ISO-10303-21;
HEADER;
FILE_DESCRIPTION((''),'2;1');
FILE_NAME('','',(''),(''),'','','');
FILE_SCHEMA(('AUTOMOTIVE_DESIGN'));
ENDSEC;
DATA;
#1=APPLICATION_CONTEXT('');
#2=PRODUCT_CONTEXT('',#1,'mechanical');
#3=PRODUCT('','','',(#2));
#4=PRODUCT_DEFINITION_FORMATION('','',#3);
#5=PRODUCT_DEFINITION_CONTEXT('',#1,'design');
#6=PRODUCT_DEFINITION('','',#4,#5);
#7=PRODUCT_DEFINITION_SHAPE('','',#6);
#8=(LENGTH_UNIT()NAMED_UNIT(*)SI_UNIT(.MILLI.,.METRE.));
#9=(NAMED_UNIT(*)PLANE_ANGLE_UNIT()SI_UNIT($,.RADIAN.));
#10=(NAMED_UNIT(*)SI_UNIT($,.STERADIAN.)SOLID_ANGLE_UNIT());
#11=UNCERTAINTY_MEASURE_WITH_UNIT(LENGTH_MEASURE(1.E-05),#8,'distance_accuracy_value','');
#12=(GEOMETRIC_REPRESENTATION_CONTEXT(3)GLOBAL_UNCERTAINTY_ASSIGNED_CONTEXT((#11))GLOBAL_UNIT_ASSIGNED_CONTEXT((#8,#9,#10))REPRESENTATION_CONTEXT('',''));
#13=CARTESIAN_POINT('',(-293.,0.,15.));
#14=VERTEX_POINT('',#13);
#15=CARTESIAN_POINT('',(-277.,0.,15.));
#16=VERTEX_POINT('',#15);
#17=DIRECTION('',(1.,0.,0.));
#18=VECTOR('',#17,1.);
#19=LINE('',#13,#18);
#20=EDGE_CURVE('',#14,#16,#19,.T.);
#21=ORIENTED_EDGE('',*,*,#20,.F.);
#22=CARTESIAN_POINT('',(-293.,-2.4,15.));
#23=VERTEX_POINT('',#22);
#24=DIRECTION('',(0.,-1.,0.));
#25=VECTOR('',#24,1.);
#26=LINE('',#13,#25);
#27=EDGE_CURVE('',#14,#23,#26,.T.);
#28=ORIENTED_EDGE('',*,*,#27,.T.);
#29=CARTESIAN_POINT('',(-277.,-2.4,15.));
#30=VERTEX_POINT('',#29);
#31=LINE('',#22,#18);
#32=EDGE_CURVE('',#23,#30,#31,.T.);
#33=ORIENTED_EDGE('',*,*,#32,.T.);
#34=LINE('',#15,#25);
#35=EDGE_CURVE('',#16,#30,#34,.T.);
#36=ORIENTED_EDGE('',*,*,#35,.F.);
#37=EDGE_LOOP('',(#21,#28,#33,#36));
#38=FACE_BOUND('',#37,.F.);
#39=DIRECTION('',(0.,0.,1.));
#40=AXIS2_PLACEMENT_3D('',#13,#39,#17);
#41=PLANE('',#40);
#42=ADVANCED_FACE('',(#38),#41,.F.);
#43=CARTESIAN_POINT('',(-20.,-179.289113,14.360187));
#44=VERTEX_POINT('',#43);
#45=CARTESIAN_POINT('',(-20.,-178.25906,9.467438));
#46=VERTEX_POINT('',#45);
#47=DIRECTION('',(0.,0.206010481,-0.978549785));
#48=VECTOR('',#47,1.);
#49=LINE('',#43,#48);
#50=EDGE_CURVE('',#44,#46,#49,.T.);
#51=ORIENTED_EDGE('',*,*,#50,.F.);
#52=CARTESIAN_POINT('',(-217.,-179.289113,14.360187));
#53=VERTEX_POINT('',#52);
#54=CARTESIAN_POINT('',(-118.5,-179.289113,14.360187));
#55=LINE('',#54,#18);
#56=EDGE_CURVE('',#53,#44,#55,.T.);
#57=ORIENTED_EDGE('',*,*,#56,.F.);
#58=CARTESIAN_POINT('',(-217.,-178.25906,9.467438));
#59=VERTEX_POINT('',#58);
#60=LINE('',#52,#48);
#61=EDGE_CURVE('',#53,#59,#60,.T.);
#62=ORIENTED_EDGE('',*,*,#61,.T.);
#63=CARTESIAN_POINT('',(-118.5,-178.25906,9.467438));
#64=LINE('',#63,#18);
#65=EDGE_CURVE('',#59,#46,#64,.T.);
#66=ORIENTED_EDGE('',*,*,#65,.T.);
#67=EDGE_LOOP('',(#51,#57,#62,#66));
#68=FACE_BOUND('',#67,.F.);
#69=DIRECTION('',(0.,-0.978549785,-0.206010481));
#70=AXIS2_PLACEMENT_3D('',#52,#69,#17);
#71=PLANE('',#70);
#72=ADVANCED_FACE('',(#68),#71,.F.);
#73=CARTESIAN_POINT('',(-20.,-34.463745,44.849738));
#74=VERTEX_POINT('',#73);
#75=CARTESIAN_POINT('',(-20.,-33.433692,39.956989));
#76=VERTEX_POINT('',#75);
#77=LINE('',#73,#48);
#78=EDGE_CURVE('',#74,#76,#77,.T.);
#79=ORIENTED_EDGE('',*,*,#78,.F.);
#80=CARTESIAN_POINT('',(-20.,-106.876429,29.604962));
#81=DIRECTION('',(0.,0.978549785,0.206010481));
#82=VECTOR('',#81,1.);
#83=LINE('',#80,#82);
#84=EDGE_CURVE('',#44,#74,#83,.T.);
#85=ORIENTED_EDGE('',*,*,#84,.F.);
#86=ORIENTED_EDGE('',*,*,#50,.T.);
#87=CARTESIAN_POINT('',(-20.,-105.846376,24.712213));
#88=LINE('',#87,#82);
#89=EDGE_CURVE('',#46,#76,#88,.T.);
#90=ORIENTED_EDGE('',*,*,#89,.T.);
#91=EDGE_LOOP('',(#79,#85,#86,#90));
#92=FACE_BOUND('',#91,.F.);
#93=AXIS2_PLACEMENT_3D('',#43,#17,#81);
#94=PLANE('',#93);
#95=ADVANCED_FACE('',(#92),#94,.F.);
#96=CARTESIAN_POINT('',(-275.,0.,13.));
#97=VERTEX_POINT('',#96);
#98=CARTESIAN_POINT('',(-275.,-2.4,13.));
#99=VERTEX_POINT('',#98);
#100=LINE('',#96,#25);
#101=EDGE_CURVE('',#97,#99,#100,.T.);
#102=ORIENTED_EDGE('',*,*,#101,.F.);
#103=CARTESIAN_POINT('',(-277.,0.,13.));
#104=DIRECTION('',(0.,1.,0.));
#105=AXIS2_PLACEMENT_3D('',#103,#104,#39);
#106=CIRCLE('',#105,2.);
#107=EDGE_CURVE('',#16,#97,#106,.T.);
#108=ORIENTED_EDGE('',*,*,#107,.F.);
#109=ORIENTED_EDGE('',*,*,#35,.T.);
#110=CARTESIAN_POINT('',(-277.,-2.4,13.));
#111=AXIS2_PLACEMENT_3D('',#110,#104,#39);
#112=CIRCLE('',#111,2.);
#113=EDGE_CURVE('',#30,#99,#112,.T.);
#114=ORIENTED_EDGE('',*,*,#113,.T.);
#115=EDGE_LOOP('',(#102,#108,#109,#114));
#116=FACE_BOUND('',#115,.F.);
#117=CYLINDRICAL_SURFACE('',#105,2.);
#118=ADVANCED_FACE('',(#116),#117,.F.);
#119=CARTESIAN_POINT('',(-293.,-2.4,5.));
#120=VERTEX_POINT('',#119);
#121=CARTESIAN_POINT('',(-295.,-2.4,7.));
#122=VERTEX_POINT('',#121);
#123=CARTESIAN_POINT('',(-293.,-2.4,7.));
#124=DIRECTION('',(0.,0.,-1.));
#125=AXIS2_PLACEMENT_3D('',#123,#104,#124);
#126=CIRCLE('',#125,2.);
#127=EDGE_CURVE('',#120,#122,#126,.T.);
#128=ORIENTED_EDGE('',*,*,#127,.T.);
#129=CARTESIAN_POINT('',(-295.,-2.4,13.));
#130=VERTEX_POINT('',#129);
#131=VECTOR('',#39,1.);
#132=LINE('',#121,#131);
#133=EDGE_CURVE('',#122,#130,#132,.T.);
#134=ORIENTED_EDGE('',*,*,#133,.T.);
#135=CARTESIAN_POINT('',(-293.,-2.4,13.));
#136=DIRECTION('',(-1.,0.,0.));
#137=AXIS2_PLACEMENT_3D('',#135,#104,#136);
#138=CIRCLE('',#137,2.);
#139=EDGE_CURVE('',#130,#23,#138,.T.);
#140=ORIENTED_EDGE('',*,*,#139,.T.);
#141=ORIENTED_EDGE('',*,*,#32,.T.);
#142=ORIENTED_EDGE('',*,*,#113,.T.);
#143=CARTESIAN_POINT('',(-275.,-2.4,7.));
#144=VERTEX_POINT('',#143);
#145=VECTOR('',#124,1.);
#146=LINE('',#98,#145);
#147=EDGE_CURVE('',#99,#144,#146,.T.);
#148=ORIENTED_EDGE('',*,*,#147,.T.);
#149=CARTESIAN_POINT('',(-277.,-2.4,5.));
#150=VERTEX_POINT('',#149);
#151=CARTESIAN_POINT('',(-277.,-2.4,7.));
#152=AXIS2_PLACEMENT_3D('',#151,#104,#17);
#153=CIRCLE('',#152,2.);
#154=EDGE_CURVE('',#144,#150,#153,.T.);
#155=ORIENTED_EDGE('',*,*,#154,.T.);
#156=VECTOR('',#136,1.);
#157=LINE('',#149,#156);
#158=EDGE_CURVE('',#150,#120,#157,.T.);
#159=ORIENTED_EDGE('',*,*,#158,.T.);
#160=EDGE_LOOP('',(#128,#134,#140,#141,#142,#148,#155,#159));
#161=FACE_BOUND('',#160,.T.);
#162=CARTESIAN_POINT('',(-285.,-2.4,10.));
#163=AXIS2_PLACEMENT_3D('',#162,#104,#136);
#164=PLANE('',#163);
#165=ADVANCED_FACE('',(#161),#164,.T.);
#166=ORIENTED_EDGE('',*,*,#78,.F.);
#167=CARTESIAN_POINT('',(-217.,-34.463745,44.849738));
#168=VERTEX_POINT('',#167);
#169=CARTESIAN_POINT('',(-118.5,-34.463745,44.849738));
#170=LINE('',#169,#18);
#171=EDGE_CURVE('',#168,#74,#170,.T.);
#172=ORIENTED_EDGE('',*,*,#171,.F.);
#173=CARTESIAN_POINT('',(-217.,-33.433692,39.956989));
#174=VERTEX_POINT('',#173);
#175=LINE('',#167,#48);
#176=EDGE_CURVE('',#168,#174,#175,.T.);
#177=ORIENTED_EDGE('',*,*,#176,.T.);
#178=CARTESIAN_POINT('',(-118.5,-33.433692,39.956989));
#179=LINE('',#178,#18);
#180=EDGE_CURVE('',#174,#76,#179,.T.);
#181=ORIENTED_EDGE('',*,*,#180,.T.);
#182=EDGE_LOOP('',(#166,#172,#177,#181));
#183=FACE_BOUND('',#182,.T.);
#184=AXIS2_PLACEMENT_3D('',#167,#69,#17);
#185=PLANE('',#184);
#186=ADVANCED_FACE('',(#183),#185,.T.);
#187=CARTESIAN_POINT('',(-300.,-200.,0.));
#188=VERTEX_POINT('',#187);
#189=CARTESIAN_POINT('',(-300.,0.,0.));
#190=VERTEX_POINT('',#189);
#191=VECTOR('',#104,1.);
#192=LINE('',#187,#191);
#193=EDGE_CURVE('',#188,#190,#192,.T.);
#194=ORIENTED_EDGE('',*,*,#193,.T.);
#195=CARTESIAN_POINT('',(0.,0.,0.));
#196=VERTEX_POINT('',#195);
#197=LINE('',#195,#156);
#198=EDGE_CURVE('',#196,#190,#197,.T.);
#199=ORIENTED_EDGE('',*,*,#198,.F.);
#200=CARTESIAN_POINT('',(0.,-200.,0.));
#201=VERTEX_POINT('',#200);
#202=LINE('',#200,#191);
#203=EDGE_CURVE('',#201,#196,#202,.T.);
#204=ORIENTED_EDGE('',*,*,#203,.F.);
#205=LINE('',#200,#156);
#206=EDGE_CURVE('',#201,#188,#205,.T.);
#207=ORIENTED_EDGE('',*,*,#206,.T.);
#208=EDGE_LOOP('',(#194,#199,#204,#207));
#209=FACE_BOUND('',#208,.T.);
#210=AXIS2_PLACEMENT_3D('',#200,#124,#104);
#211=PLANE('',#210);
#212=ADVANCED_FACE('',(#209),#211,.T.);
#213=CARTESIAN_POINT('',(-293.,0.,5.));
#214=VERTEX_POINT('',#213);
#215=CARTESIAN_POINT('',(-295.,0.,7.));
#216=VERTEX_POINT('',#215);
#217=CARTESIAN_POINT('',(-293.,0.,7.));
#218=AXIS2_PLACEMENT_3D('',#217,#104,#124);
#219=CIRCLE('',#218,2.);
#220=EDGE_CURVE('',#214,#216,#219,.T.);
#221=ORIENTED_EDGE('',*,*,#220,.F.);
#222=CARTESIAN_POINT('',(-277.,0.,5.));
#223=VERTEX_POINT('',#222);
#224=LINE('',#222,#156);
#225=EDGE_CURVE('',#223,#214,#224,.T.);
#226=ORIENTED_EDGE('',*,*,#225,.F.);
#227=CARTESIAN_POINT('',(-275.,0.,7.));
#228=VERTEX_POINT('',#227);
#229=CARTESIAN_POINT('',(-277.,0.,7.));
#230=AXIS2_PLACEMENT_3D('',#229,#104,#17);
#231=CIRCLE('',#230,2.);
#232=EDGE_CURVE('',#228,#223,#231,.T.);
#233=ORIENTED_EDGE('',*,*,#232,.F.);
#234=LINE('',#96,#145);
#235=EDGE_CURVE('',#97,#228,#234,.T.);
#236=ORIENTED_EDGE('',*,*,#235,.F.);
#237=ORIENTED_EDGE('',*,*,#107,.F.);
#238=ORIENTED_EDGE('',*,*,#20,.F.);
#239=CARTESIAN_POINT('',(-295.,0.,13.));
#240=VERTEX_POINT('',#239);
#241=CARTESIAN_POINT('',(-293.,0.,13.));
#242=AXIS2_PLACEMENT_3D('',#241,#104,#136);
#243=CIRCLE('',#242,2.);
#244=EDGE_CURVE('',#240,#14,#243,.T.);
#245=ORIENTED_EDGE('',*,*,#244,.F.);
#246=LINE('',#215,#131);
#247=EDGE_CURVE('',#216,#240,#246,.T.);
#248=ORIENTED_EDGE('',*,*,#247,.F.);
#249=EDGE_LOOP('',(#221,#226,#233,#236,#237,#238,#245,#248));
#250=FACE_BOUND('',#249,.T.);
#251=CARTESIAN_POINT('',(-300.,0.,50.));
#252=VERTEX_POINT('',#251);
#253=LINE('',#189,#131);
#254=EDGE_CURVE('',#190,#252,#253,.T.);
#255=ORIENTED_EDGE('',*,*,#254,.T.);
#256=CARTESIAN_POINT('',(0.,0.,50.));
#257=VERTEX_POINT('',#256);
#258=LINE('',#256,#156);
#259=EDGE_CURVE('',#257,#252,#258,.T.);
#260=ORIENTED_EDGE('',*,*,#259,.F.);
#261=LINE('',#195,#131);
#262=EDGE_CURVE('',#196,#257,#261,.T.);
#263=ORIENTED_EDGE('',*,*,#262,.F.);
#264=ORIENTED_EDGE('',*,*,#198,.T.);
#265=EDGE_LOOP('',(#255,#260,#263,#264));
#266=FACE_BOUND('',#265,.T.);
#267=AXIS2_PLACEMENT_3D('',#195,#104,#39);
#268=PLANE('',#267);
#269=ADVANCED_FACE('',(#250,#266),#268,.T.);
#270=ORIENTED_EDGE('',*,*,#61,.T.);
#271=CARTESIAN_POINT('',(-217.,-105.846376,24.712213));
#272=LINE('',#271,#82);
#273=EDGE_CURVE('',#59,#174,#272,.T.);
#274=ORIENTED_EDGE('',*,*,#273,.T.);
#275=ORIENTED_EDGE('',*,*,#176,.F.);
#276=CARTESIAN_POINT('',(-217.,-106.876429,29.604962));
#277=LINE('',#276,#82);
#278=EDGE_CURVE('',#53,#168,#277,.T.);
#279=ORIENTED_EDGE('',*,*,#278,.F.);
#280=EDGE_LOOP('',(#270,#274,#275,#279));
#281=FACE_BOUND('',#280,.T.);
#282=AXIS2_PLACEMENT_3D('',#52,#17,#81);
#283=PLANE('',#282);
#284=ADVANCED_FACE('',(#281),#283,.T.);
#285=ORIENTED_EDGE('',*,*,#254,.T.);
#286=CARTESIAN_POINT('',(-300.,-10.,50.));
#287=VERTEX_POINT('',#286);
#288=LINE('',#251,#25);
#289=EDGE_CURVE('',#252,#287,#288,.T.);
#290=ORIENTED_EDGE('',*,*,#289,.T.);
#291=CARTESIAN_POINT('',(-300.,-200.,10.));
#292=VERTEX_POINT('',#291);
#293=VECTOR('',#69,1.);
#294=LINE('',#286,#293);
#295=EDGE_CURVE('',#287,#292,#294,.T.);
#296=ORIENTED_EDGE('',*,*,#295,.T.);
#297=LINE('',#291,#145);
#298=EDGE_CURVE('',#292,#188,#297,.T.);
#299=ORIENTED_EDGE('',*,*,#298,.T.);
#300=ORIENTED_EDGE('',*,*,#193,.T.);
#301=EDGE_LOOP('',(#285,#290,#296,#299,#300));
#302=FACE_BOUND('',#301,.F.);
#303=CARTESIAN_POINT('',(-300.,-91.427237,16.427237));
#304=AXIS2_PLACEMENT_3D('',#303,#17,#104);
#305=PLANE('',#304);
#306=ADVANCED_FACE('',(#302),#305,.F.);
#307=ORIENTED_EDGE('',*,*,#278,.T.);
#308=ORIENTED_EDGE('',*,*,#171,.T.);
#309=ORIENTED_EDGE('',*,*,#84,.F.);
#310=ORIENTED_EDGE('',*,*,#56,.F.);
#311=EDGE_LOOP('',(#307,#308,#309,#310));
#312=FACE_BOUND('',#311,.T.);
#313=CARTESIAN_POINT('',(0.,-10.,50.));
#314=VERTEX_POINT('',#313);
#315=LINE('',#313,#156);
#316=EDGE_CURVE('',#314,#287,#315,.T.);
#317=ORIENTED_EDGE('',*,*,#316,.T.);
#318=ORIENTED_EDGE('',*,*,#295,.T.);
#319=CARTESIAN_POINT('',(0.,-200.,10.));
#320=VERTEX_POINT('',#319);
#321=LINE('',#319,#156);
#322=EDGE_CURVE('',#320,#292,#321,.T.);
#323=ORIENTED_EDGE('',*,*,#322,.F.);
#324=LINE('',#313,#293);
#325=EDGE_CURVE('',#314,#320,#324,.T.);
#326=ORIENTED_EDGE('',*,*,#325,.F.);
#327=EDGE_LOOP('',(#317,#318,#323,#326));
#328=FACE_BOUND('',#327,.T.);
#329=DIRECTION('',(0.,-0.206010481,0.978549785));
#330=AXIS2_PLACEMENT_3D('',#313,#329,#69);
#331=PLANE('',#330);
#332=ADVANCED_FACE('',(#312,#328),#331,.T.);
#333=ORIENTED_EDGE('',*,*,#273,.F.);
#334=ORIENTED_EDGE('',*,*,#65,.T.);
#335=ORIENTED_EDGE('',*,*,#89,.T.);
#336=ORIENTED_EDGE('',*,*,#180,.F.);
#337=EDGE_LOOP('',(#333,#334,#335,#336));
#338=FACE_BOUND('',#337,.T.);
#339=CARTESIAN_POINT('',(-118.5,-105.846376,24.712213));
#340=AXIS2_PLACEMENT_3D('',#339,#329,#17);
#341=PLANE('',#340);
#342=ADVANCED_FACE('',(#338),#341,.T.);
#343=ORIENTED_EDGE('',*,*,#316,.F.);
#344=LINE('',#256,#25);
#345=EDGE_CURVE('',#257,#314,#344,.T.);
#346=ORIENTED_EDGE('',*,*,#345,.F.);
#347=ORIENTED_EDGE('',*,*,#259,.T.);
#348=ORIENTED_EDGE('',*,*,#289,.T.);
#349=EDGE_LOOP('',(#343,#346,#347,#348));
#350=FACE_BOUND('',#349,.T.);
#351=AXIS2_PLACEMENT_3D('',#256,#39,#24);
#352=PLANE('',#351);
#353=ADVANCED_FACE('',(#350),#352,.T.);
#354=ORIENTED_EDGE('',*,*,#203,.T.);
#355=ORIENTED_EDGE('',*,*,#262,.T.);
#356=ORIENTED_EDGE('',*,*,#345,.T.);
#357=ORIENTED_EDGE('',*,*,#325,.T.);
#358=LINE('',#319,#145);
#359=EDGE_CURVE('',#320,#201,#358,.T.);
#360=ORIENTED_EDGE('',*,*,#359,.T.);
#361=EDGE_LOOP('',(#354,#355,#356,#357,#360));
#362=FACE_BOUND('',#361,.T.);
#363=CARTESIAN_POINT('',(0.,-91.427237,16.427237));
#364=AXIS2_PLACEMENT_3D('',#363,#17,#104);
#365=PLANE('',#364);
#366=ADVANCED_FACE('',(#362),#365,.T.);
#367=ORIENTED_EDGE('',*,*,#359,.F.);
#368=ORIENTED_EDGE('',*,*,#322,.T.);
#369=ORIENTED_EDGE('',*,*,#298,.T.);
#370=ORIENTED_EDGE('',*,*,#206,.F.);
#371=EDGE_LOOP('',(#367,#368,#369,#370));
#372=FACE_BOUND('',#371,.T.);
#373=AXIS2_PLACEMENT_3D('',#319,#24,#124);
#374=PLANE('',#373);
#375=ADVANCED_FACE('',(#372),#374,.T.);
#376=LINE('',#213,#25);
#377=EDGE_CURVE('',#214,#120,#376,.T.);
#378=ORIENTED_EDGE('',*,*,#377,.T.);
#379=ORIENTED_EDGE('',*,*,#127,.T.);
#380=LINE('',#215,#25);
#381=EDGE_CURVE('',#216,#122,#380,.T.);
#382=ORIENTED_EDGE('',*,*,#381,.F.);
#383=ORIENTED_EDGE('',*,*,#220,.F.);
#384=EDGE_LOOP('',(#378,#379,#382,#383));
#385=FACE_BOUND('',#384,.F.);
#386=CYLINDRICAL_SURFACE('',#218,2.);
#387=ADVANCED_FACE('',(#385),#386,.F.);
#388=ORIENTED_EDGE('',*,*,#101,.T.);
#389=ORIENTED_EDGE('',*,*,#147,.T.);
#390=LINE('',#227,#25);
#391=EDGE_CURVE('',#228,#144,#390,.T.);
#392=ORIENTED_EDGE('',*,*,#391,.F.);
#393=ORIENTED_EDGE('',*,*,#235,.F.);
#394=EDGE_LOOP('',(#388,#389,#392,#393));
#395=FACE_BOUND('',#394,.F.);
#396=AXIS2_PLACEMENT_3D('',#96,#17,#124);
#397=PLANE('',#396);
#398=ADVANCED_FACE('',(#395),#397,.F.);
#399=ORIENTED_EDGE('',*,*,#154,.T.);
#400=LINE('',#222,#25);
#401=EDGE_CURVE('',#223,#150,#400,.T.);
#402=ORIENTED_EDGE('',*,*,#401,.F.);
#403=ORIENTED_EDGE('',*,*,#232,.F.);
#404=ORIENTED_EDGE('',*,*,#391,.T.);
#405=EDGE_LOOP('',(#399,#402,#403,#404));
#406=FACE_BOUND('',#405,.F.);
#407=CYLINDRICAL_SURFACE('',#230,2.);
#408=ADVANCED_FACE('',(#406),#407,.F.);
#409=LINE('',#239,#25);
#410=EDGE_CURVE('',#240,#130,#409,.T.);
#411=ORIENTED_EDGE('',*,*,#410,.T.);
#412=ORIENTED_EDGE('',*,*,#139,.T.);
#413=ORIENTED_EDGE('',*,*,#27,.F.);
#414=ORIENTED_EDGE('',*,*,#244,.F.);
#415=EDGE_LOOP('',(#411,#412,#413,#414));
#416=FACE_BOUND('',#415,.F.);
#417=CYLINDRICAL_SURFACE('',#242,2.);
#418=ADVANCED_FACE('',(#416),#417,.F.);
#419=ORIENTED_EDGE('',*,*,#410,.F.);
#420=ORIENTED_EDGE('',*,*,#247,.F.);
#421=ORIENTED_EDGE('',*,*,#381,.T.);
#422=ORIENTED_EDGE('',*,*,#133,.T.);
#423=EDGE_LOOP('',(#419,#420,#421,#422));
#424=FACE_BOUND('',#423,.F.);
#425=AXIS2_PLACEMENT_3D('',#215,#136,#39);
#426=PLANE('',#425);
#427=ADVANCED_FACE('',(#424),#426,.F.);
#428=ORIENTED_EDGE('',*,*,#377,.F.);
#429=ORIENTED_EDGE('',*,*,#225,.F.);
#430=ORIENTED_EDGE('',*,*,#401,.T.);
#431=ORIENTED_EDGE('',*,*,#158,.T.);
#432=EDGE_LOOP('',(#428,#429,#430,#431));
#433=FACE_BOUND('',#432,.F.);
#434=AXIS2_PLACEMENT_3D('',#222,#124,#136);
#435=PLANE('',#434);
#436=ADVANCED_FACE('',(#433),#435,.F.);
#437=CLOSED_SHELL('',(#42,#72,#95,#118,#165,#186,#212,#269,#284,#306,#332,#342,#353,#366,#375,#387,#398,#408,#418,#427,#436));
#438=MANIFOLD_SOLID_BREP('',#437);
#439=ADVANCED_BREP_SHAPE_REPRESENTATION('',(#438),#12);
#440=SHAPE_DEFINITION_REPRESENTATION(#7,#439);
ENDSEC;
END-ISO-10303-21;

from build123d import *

# Parameters (mm, degrees)
F1_DEPTH = 300
F3_W     = 197
F3_H     = 148
F4_DEPTH = 5
F6_DEPTH = 2.4


with BuildPart() as f1:
    # F0 (on Right) → F1 (new body)
    with BuildSketch(Plane.YZ):
        Polygon((-200, 10), (-200, 0), (0, 0), (0, 50), (-10, 50), align=None)
    extrude(amount=-F1_DEPTH)

    # F3 (on offset) → F4 (cut)
    with BuildSketch(Plane(origin=(0, -10.5039787798, 49.8938992042), x_dir=(1, 0, 0), z_dir=(0, -0.206010481, 0.978549785))):
        with Locations((-118.5, -98.4849737974)):
            Rectangle(F3_W, F3_H)
    extrude(amount=-F4_DEPTH, mode=Mode.SUBTRACT)

    # F5 (on face) → F6 (cut)
    with BuildSketch(Plane(origin=(0, 0, 0), x_dir=(-1, 0, 0), z_dir=(0, 1, 0))):
        with BuildLine():
            Line((277, 5), (293, 5))
            ThreePointArc((293, 5), (294.4142135624, 5.5857864376), (295, 7))
            Line((295, 7), (295, 13))
            ThreePointArc((295, 13), (294.4142135624, 14.4142135624), (293, 15))
            Line((293, 15), (277, 15))
            ThreePointArc((277, 15), (275.5857864376, 14.4142135624), (275, 13))
            Line((275, 13), (275, 7))
            ThreePointArc((275, 7), (275.5857864376, 5.5857864376), (277, 5))
        make_face()
    extrude(amount=-F6_DEPTH, mode=Mode.SUBTRACT)


solid = f1.part
